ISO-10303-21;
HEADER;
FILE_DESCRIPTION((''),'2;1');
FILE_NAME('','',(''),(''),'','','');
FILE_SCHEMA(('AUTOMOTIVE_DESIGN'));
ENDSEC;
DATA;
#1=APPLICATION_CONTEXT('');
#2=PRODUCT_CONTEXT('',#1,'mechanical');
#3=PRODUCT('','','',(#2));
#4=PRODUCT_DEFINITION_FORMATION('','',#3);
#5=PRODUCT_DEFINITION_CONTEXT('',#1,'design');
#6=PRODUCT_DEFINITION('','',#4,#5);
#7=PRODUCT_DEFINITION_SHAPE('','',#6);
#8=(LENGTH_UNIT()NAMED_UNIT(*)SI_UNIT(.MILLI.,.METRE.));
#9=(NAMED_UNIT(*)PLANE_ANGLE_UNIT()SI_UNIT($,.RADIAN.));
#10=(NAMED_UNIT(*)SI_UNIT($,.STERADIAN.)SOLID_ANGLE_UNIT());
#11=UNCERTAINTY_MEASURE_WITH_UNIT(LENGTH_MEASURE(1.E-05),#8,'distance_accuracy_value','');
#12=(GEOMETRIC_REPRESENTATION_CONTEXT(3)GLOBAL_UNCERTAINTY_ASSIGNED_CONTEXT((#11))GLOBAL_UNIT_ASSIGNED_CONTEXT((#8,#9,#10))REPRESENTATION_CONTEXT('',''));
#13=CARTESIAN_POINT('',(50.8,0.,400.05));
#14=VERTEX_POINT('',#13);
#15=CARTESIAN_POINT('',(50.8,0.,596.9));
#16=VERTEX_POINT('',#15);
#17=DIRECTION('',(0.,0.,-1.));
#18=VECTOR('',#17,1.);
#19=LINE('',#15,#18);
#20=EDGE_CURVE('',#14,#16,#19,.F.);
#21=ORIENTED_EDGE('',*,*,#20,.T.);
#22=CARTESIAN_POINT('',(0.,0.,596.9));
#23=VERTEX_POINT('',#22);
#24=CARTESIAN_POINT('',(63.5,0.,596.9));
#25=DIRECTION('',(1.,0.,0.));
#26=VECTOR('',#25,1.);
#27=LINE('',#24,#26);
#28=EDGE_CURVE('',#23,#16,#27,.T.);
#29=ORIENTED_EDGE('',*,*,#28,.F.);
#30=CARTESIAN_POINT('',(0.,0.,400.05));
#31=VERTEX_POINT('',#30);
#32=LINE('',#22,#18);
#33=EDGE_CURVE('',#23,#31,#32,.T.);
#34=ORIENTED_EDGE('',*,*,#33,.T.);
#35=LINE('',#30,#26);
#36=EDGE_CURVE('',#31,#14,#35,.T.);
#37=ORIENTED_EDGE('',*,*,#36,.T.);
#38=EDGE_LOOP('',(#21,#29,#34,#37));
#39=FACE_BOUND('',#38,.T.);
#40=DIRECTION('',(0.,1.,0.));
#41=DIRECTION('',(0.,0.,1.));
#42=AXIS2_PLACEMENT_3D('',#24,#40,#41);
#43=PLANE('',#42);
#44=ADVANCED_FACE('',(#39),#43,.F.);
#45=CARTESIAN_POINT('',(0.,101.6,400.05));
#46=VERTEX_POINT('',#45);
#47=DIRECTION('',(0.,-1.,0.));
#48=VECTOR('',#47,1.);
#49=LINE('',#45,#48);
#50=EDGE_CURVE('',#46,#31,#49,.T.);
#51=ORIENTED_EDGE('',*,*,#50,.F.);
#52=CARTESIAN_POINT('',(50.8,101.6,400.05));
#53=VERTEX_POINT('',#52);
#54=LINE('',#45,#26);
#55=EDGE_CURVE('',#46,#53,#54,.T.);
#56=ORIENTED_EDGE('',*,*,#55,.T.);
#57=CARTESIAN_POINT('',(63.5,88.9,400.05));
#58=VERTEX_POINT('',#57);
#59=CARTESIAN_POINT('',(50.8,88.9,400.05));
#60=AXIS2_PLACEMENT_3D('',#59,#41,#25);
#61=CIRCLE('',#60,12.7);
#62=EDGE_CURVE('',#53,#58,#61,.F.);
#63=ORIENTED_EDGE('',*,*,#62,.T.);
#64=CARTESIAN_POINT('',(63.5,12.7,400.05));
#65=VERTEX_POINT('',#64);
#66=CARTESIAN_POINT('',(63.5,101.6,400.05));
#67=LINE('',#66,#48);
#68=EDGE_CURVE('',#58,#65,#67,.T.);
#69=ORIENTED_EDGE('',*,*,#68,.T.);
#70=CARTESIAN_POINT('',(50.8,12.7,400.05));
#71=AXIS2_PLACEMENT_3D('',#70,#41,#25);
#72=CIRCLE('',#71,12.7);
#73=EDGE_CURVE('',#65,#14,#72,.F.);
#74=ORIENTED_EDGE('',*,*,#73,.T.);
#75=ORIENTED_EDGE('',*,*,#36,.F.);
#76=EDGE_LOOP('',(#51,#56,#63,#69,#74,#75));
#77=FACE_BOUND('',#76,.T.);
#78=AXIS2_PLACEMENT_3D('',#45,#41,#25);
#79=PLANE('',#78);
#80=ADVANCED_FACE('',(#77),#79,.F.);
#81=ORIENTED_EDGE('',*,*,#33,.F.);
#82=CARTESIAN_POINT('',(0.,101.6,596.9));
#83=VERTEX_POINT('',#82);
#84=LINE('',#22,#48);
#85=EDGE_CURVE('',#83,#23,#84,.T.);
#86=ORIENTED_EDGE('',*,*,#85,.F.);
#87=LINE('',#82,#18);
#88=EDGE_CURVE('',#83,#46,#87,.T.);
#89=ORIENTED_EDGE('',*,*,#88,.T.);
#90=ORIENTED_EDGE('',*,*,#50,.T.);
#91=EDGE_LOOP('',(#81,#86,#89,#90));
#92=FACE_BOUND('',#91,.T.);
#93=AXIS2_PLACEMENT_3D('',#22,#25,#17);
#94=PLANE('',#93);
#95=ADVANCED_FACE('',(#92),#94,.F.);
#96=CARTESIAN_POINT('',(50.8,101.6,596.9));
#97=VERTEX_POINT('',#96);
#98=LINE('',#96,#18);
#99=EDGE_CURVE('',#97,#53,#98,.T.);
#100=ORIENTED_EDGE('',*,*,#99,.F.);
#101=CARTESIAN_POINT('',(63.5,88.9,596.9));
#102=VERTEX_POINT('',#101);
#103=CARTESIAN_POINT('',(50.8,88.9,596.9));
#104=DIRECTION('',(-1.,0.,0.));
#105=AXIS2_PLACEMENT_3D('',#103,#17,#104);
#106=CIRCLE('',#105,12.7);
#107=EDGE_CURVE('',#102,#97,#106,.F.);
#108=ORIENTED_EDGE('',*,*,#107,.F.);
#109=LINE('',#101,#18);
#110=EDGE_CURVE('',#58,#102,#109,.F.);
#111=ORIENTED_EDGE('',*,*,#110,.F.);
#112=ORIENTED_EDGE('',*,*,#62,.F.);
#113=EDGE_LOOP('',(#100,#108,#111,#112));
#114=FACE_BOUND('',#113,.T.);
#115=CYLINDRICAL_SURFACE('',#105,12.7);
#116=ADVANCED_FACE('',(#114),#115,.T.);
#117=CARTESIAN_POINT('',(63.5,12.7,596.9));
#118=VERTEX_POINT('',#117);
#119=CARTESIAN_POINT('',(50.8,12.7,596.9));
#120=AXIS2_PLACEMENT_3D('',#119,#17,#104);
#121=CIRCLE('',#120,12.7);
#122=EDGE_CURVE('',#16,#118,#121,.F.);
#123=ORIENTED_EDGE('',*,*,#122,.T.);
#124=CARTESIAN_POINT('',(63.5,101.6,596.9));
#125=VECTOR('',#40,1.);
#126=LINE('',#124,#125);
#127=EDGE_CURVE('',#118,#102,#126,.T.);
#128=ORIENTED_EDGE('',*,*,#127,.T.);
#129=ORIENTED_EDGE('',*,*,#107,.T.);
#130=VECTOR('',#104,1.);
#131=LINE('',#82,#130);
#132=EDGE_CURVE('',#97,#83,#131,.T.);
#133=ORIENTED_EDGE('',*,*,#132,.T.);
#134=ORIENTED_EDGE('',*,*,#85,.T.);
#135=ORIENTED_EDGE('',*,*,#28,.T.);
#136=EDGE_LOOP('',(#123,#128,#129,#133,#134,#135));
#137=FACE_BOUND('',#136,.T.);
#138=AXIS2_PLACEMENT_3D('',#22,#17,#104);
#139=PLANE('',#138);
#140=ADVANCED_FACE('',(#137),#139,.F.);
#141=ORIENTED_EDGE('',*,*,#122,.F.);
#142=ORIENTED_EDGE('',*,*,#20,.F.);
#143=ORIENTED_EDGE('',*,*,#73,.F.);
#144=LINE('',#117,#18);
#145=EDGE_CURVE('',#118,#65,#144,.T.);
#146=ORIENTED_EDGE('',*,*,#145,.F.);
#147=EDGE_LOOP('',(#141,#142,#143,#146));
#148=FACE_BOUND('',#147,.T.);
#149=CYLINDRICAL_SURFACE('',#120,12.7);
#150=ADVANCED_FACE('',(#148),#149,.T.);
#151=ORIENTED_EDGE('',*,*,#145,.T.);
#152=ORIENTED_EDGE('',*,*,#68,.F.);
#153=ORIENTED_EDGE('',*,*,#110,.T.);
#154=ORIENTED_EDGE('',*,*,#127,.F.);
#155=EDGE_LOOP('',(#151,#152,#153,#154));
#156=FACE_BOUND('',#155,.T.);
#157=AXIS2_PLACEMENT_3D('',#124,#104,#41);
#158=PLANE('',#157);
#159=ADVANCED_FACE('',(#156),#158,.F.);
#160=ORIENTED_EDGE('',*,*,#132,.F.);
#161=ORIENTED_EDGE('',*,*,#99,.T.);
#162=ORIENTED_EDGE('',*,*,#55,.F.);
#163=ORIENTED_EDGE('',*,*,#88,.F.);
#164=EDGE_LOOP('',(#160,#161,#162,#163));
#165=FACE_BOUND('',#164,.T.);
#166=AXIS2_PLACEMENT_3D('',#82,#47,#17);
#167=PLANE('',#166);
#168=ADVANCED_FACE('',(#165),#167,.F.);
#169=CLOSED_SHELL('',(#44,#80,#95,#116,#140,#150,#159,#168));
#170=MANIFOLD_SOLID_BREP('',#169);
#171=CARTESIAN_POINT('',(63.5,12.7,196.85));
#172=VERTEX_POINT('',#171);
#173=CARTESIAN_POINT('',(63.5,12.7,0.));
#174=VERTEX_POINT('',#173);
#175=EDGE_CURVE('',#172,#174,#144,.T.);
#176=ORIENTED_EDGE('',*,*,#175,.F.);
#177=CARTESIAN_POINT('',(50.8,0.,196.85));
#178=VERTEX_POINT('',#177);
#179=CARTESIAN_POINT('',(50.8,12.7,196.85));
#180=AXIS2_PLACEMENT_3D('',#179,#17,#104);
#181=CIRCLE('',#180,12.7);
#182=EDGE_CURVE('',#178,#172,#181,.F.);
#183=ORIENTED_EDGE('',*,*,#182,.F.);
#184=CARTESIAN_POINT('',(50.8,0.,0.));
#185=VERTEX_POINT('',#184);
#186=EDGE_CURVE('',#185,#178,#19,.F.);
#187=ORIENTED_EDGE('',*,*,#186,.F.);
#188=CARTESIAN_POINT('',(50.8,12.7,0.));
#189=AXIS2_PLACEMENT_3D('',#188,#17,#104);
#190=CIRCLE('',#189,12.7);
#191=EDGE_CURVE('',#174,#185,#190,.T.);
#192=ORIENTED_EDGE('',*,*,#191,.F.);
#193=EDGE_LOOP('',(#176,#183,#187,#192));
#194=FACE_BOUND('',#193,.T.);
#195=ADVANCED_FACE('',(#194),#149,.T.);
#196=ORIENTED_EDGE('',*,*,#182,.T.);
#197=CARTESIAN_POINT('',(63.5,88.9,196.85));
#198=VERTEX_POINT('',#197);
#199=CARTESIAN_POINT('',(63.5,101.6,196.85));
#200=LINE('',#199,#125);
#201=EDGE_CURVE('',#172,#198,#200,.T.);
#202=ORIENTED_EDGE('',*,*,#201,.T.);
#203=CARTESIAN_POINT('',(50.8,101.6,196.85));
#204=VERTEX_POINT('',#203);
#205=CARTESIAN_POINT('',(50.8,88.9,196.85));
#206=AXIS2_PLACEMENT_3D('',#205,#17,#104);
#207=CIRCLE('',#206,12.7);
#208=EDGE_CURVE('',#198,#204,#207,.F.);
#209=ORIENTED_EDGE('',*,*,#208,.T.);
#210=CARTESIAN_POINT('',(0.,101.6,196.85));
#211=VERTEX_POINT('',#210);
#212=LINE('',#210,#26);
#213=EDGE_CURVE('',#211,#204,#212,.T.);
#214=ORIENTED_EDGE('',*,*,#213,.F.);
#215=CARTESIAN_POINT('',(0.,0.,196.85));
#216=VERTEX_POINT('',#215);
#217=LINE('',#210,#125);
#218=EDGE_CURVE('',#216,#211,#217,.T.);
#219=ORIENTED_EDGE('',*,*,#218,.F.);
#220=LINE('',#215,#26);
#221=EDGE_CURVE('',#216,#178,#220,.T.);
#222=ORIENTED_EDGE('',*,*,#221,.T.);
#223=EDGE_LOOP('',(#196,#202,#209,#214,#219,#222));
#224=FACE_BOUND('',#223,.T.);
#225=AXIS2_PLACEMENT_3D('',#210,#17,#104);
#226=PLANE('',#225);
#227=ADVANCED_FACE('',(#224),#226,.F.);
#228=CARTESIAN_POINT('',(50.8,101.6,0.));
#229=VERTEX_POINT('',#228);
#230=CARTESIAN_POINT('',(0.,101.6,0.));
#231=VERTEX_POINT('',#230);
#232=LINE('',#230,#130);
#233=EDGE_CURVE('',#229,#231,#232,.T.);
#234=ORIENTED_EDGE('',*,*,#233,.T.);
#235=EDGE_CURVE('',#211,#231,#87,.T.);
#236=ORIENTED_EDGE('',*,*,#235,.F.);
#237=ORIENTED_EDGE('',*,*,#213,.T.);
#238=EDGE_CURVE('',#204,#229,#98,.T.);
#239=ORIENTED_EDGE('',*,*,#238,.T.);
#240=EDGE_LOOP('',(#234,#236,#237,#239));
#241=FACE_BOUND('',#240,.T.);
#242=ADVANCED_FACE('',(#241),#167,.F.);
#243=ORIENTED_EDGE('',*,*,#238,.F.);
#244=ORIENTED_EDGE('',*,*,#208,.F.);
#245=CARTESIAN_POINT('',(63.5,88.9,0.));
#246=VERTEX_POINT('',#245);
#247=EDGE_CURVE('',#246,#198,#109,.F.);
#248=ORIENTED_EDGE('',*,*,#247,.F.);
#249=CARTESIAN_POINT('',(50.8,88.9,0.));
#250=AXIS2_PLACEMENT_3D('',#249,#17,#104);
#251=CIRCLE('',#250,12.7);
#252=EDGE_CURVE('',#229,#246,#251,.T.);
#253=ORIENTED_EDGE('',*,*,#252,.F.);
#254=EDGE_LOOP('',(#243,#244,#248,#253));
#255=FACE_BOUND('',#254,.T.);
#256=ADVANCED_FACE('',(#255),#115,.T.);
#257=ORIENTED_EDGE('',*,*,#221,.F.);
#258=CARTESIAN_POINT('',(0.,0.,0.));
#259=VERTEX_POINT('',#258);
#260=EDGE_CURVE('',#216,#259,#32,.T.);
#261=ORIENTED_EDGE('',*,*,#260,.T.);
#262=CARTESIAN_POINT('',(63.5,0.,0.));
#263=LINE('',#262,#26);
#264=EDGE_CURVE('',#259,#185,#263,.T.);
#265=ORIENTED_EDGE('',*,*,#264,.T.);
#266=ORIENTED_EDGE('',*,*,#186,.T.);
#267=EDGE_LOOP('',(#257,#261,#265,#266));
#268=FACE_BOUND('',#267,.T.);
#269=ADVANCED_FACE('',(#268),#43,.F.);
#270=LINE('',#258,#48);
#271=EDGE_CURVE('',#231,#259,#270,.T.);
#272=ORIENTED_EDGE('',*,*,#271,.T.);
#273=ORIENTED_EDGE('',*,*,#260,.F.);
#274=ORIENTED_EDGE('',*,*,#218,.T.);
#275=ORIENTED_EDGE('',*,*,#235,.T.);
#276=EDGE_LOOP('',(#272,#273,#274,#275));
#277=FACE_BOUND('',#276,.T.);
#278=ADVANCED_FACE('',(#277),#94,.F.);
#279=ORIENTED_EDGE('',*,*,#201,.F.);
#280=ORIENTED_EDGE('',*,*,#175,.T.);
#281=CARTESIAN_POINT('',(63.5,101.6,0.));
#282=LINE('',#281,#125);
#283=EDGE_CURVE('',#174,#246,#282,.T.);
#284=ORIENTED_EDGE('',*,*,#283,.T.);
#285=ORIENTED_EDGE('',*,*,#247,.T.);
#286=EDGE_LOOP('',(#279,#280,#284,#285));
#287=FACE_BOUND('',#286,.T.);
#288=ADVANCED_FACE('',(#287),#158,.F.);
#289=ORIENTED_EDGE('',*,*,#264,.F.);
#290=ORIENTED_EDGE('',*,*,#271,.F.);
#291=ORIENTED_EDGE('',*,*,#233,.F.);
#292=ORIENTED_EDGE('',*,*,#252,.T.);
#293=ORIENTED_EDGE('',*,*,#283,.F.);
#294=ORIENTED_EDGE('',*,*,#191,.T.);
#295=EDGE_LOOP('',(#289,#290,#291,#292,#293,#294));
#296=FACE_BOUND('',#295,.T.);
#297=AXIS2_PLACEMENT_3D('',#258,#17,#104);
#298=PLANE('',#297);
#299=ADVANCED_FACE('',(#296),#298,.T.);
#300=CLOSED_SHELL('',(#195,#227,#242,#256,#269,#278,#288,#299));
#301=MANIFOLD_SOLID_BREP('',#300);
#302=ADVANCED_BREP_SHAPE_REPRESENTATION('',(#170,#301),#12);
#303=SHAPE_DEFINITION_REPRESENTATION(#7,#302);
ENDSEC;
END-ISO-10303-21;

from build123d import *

# Parameters (mm, degrees)
SKETCH1_W           = 63.5
SKETCH1_H           = 101.6
BOSS_EXTRUDE1_DEPTH = 596.9
FILLET1_R           = 12.7
SKETCH2_W           = 203.2
SKETCH2_H           = 101.6
CUT_EXTRUDE1_DEPTH  = 609.805732562


with BuildPart() as part:
    # Sketch1 → Boss-Extrude1 (new body)
    with BuildSketch(Plane.XY):
        with Locations((31.75, 50.8)):
            Rectangle(SKETCH1_W, SKETCH1_H)
    extrude(amount=BOSS_EXTRUDE1_DEPTH)

    # Fillet1
    fillet1_edges = [part.edges().sort_by_distance(p)[0] for p in [
        (63.5, 101.6, 298.45),
        (63.5, 0, 298.45),
    ]]
    fillet(fillet1_edges, radius=FILLET1_R)

    # Sketch2 → Cut-Extrude1 (cut, through all)
    with BuildSketch(Plane(origin=(63.5, 0, 0), x_dir=(0, 0, -1), z_dir=(1, 0, 0))):
        with Locations((-298.45, 50.8)):
            Rectangle(SKETCH2_W, SKETCH2_H)
    extrude(amount=-CUT_EXTRUDE1_DEPTH, mode=Mode.SUBTRACT)


with BuildPart() as cut_extrude1_piece_1:
    # of the separate pieces the step leaves, piece 1, a body of its own (cut_extrude1_pieces)
    add(part.part.solids().sort_by_distance((50.8, 101.6, 400.05))[0])


with BuildPart() as cut_extrude1_piece_2:
    # of the separate pieces the step leaves, piece 2, a body of its own (cut_extrude1_pieces)
    add(part.part.solids().sort_by_distance((50.8, 101.6, 0))[0])


solid = Compound([cut_extrude1_piece_1.part, cut_extrude1_piece_2.part])
